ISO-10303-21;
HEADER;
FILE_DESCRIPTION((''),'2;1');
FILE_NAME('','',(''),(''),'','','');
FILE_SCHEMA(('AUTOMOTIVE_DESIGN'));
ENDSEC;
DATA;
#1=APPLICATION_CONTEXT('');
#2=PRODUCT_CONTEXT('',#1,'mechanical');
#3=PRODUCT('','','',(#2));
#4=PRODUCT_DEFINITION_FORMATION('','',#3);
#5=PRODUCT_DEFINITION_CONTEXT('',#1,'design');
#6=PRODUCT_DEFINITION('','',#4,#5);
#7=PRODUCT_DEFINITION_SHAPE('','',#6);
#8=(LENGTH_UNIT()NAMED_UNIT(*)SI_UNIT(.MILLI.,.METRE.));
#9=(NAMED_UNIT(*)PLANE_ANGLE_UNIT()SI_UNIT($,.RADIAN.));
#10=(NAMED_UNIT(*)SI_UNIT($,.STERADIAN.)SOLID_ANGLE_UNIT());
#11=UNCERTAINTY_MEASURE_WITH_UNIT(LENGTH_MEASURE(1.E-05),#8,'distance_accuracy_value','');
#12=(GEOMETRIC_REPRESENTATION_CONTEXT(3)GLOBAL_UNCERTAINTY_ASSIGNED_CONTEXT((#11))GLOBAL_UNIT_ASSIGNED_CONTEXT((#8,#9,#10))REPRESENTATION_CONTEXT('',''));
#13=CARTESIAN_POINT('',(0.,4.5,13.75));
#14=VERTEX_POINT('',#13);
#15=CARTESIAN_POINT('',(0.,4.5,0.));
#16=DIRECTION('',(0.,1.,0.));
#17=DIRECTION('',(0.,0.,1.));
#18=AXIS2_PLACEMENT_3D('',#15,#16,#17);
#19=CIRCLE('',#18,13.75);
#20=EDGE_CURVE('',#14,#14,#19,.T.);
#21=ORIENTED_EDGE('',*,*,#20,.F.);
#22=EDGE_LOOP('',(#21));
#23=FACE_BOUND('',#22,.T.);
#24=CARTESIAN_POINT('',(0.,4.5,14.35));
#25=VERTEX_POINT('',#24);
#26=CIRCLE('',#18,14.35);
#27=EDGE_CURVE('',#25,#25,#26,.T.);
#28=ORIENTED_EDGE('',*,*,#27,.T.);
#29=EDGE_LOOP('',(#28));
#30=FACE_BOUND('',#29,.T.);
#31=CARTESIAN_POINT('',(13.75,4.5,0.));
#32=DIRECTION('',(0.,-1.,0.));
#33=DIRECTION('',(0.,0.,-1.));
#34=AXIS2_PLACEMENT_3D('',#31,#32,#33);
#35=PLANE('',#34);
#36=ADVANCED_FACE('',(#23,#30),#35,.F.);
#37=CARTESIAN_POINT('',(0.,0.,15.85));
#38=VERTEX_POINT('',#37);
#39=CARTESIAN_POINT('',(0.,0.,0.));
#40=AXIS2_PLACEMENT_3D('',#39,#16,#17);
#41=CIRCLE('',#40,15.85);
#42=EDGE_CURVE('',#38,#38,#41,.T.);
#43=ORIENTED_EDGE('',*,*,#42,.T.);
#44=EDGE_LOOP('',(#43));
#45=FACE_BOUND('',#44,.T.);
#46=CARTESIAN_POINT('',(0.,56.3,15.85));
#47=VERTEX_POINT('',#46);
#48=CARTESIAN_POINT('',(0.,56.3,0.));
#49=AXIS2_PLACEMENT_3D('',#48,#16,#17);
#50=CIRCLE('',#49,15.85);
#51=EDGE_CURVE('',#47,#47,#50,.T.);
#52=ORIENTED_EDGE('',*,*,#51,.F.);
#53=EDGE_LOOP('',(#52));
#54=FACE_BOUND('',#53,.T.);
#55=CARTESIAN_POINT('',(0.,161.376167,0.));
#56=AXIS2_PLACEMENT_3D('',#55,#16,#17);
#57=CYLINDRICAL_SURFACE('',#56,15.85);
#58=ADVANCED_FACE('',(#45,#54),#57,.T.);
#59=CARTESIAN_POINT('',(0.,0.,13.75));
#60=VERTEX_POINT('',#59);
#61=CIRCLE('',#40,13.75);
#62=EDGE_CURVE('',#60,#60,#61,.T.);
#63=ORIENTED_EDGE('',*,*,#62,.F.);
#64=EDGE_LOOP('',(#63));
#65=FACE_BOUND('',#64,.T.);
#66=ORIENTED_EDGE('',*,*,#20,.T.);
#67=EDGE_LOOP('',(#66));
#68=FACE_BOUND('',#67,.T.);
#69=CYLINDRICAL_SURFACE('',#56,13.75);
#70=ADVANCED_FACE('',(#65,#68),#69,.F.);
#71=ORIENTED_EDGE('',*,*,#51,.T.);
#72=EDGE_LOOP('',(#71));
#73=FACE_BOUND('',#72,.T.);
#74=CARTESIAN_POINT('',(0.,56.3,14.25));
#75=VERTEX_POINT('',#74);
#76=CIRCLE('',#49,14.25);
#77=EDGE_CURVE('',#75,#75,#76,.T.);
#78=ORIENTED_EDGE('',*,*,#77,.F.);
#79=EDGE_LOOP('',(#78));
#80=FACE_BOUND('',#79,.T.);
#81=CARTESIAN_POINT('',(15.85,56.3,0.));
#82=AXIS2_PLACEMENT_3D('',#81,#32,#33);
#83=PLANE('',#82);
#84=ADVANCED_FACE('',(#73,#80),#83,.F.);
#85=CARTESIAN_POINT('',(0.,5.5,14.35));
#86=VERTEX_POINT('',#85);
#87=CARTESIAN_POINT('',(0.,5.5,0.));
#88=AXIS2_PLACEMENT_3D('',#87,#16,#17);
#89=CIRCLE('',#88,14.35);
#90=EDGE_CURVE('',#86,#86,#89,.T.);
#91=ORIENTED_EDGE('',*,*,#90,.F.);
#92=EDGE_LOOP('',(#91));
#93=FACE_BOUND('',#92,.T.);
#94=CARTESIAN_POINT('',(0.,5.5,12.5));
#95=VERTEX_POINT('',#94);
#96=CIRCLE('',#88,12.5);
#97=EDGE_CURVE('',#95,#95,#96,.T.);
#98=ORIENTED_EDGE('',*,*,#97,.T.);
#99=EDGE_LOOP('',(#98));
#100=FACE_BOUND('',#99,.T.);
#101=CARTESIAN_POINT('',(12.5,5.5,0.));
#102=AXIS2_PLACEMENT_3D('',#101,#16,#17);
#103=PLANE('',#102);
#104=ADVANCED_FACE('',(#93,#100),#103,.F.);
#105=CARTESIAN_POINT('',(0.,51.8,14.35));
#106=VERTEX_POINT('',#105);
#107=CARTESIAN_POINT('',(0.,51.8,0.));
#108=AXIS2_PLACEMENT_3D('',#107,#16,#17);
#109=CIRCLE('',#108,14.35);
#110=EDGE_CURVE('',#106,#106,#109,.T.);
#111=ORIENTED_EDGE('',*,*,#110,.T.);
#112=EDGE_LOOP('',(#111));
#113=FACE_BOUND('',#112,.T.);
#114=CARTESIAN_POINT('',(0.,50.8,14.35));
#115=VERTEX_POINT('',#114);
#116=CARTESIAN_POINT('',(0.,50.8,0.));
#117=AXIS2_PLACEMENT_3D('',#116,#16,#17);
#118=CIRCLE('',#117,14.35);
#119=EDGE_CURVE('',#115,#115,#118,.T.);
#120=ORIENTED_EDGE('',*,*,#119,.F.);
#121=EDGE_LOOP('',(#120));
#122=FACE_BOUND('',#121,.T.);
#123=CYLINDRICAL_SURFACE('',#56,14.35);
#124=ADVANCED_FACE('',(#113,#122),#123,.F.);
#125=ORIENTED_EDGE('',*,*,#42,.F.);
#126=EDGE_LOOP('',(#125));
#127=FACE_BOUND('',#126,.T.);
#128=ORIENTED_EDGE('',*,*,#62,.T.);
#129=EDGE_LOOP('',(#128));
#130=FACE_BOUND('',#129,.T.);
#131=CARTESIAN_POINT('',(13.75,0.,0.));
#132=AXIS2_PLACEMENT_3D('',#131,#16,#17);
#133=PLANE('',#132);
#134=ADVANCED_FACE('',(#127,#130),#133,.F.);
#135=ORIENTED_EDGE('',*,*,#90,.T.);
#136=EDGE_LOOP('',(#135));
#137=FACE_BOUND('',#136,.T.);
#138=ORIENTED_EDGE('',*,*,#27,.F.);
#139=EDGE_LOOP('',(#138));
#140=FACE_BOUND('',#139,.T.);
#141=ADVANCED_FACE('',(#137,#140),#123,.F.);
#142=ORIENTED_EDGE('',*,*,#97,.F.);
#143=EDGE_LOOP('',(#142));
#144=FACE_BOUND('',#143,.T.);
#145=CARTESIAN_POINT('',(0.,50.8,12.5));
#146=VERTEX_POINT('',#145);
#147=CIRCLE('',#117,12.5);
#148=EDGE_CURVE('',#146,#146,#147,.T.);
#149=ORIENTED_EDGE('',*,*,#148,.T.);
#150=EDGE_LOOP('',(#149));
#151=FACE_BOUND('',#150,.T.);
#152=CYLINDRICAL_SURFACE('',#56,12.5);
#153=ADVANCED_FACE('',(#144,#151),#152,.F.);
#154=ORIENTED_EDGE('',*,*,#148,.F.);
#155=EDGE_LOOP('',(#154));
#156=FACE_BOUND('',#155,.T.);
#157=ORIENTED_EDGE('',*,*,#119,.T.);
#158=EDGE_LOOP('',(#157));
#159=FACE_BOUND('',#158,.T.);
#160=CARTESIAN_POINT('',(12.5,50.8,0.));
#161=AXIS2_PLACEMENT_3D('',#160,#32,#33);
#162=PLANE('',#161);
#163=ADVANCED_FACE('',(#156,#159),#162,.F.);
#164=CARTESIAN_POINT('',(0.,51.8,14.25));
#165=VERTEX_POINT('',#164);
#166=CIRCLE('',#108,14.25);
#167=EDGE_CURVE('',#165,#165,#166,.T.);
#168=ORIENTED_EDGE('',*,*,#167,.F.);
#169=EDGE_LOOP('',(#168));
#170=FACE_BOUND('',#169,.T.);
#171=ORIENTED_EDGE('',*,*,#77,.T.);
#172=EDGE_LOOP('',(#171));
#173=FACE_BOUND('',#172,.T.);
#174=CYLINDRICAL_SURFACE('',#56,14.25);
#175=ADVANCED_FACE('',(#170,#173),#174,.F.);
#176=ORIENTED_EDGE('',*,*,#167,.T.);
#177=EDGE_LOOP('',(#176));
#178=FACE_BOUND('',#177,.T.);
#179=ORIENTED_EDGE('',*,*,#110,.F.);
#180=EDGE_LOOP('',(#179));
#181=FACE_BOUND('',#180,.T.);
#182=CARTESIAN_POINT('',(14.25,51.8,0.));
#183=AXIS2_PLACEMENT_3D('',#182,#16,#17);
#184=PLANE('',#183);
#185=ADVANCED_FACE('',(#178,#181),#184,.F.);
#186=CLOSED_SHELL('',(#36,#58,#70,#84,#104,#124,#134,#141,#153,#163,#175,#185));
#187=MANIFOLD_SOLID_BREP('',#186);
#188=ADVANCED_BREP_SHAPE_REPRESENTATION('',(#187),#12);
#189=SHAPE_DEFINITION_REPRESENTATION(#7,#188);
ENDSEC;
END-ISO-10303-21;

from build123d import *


with BuildPart() as part:
    # 草图1 → 旋转1 (revolve)
    with BuildSketch(Plane.XY, mode=Mode.PRIVATE) as revolve_1_sk:
        Polygon((13.75, 0), (13.75, 4.5), (14.35, 4.5), (14.35, 5.5), (12.5, 5.5), (12.5, 50.8), (14.35, 50.8), (14.35, 51.8), (14.25, 51.8), (14.25, 56.3), (15.85, 56.3), (15.85, 0), align=None)
    revolve(revolve_1_sk.sketch.rotate(Axis((0, 161.376166943, 0), (0, -1, 0)), 90), axis=Axis((0, 161.376166943, 0), (0, -1, 0)))  # turned: the seam where the file's is


solid = part.part
